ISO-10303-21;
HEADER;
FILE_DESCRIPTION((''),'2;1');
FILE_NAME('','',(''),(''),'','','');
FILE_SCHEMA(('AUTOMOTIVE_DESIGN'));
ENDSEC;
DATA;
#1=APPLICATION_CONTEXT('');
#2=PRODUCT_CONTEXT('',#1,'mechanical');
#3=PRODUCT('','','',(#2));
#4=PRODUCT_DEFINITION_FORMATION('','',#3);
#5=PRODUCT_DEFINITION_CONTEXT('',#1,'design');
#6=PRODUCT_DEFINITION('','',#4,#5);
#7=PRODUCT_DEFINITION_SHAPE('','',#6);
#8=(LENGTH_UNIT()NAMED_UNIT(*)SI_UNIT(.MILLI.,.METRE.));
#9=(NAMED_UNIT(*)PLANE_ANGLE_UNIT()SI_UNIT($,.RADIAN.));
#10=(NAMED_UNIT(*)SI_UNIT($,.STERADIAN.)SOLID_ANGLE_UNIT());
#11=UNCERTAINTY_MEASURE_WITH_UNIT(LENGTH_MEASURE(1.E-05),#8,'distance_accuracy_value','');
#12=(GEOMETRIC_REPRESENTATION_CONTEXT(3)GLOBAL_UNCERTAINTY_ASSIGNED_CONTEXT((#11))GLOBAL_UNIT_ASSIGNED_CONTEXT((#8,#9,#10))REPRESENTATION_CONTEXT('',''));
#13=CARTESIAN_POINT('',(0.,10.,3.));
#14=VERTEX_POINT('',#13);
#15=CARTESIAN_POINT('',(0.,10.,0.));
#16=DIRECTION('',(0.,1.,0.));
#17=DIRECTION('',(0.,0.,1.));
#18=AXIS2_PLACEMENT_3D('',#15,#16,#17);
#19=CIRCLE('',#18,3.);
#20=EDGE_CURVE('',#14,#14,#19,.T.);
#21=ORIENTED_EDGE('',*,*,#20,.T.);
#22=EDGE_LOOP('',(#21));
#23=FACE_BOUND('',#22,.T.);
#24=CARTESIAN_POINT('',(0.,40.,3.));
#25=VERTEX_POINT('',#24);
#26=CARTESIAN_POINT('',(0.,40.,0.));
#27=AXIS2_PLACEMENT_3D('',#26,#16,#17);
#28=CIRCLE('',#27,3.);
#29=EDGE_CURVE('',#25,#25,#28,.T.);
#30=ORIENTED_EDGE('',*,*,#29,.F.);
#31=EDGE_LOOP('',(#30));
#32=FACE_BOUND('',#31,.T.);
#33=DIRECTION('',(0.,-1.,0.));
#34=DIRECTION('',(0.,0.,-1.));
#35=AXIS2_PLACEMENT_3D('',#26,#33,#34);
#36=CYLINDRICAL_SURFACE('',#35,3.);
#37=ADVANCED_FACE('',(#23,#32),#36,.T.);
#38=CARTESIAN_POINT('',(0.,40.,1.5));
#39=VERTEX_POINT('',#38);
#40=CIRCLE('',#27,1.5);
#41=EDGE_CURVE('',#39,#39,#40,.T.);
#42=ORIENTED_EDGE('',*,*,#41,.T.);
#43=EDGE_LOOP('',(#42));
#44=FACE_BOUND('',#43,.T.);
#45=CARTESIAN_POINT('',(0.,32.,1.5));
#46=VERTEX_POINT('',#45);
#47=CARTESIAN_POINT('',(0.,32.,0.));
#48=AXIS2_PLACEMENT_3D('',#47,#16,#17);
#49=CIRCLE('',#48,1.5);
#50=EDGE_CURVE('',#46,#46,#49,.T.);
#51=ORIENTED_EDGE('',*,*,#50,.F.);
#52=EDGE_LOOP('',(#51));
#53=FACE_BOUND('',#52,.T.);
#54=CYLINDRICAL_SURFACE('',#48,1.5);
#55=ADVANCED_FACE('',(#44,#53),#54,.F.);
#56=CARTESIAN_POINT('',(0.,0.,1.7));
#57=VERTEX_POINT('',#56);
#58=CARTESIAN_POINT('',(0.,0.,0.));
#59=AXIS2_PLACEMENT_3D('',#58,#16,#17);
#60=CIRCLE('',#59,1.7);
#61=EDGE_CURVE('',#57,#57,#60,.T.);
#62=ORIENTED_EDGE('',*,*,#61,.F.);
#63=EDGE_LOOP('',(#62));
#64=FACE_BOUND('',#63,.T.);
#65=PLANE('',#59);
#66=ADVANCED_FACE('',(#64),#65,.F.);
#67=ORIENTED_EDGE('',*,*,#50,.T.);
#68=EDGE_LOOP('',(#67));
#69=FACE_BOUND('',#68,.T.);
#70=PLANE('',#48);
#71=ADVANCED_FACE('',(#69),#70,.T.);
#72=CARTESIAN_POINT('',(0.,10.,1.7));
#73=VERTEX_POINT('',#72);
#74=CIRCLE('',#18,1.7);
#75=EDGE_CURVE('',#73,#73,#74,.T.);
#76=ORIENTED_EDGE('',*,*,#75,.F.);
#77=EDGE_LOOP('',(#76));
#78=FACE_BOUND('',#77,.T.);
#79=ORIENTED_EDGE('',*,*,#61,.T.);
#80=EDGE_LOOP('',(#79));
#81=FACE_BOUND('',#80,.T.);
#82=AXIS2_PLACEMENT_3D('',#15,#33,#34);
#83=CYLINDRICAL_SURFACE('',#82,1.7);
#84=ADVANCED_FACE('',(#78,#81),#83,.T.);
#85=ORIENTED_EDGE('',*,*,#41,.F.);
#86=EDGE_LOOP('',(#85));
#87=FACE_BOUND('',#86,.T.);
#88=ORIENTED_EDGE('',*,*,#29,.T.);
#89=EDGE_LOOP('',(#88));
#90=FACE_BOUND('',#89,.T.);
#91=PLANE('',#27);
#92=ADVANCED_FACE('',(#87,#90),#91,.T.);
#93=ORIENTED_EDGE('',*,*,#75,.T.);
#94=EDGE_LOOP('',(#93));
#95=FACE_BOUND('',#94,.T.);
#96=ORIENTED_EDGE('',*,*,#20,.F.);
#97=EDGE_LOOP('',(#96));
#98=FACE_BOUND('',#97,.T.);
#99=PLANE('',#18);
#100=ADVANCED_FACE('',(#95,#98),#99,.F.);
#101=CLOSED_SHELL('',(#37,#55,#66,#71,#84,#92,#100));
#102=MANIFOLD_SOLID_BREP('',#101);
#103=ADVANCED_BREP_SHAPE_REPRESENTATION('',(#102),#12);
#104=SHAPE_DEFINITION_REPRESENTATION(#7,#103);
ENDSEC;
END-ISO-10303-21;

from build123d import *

# Parameters (mm, degrees)
SKETCH1_R           = 1.7
BOSS_EXTRUDE1_DEPTH = 10
SKETCH2_R           = 3
BOSS_EXTRUDE2_DEPTH = 30
SKETCH3_R           = 1.5
CUT_EXTRUDE1_DEPTH  = 8


with BuildPart() as part:
    # Sketch1 → Boss-Extrude1 (new body)
    with BuildSketch(Plane(origin=(0, 0, 0), x_dir=(1, 0, 0), z_dir=(0, 1, 0))):
        Circle(SKETCH1_R)
    extrude(amount=BOSS_EXTRUDE1_DEPTH)

    # Sketch2 → Boss-Extrude2 (add)
    with BuildSketch(Plane(origin=(0, 10, 0), x_dir=(1, 0, 0), z_dir=(0, 1, 0))):
        Circle(SKETCH2_R)
    extrude(amount=BOSS_EXTRUDE2_DEPTH)

    # Sketch3 → Cut-Extrude1 (cut)
    with BuildSketch(Plane(origin=(0, 40, 0), x_dir=(1, 0, 0), z_dir=(0, 1, 0))):
        Circle(SKETCH3_R)
    extrude(amount=-CUT_EXTRUDE1_DEPTH, mode=Mode.SUBTRACT)


solid = part.part
